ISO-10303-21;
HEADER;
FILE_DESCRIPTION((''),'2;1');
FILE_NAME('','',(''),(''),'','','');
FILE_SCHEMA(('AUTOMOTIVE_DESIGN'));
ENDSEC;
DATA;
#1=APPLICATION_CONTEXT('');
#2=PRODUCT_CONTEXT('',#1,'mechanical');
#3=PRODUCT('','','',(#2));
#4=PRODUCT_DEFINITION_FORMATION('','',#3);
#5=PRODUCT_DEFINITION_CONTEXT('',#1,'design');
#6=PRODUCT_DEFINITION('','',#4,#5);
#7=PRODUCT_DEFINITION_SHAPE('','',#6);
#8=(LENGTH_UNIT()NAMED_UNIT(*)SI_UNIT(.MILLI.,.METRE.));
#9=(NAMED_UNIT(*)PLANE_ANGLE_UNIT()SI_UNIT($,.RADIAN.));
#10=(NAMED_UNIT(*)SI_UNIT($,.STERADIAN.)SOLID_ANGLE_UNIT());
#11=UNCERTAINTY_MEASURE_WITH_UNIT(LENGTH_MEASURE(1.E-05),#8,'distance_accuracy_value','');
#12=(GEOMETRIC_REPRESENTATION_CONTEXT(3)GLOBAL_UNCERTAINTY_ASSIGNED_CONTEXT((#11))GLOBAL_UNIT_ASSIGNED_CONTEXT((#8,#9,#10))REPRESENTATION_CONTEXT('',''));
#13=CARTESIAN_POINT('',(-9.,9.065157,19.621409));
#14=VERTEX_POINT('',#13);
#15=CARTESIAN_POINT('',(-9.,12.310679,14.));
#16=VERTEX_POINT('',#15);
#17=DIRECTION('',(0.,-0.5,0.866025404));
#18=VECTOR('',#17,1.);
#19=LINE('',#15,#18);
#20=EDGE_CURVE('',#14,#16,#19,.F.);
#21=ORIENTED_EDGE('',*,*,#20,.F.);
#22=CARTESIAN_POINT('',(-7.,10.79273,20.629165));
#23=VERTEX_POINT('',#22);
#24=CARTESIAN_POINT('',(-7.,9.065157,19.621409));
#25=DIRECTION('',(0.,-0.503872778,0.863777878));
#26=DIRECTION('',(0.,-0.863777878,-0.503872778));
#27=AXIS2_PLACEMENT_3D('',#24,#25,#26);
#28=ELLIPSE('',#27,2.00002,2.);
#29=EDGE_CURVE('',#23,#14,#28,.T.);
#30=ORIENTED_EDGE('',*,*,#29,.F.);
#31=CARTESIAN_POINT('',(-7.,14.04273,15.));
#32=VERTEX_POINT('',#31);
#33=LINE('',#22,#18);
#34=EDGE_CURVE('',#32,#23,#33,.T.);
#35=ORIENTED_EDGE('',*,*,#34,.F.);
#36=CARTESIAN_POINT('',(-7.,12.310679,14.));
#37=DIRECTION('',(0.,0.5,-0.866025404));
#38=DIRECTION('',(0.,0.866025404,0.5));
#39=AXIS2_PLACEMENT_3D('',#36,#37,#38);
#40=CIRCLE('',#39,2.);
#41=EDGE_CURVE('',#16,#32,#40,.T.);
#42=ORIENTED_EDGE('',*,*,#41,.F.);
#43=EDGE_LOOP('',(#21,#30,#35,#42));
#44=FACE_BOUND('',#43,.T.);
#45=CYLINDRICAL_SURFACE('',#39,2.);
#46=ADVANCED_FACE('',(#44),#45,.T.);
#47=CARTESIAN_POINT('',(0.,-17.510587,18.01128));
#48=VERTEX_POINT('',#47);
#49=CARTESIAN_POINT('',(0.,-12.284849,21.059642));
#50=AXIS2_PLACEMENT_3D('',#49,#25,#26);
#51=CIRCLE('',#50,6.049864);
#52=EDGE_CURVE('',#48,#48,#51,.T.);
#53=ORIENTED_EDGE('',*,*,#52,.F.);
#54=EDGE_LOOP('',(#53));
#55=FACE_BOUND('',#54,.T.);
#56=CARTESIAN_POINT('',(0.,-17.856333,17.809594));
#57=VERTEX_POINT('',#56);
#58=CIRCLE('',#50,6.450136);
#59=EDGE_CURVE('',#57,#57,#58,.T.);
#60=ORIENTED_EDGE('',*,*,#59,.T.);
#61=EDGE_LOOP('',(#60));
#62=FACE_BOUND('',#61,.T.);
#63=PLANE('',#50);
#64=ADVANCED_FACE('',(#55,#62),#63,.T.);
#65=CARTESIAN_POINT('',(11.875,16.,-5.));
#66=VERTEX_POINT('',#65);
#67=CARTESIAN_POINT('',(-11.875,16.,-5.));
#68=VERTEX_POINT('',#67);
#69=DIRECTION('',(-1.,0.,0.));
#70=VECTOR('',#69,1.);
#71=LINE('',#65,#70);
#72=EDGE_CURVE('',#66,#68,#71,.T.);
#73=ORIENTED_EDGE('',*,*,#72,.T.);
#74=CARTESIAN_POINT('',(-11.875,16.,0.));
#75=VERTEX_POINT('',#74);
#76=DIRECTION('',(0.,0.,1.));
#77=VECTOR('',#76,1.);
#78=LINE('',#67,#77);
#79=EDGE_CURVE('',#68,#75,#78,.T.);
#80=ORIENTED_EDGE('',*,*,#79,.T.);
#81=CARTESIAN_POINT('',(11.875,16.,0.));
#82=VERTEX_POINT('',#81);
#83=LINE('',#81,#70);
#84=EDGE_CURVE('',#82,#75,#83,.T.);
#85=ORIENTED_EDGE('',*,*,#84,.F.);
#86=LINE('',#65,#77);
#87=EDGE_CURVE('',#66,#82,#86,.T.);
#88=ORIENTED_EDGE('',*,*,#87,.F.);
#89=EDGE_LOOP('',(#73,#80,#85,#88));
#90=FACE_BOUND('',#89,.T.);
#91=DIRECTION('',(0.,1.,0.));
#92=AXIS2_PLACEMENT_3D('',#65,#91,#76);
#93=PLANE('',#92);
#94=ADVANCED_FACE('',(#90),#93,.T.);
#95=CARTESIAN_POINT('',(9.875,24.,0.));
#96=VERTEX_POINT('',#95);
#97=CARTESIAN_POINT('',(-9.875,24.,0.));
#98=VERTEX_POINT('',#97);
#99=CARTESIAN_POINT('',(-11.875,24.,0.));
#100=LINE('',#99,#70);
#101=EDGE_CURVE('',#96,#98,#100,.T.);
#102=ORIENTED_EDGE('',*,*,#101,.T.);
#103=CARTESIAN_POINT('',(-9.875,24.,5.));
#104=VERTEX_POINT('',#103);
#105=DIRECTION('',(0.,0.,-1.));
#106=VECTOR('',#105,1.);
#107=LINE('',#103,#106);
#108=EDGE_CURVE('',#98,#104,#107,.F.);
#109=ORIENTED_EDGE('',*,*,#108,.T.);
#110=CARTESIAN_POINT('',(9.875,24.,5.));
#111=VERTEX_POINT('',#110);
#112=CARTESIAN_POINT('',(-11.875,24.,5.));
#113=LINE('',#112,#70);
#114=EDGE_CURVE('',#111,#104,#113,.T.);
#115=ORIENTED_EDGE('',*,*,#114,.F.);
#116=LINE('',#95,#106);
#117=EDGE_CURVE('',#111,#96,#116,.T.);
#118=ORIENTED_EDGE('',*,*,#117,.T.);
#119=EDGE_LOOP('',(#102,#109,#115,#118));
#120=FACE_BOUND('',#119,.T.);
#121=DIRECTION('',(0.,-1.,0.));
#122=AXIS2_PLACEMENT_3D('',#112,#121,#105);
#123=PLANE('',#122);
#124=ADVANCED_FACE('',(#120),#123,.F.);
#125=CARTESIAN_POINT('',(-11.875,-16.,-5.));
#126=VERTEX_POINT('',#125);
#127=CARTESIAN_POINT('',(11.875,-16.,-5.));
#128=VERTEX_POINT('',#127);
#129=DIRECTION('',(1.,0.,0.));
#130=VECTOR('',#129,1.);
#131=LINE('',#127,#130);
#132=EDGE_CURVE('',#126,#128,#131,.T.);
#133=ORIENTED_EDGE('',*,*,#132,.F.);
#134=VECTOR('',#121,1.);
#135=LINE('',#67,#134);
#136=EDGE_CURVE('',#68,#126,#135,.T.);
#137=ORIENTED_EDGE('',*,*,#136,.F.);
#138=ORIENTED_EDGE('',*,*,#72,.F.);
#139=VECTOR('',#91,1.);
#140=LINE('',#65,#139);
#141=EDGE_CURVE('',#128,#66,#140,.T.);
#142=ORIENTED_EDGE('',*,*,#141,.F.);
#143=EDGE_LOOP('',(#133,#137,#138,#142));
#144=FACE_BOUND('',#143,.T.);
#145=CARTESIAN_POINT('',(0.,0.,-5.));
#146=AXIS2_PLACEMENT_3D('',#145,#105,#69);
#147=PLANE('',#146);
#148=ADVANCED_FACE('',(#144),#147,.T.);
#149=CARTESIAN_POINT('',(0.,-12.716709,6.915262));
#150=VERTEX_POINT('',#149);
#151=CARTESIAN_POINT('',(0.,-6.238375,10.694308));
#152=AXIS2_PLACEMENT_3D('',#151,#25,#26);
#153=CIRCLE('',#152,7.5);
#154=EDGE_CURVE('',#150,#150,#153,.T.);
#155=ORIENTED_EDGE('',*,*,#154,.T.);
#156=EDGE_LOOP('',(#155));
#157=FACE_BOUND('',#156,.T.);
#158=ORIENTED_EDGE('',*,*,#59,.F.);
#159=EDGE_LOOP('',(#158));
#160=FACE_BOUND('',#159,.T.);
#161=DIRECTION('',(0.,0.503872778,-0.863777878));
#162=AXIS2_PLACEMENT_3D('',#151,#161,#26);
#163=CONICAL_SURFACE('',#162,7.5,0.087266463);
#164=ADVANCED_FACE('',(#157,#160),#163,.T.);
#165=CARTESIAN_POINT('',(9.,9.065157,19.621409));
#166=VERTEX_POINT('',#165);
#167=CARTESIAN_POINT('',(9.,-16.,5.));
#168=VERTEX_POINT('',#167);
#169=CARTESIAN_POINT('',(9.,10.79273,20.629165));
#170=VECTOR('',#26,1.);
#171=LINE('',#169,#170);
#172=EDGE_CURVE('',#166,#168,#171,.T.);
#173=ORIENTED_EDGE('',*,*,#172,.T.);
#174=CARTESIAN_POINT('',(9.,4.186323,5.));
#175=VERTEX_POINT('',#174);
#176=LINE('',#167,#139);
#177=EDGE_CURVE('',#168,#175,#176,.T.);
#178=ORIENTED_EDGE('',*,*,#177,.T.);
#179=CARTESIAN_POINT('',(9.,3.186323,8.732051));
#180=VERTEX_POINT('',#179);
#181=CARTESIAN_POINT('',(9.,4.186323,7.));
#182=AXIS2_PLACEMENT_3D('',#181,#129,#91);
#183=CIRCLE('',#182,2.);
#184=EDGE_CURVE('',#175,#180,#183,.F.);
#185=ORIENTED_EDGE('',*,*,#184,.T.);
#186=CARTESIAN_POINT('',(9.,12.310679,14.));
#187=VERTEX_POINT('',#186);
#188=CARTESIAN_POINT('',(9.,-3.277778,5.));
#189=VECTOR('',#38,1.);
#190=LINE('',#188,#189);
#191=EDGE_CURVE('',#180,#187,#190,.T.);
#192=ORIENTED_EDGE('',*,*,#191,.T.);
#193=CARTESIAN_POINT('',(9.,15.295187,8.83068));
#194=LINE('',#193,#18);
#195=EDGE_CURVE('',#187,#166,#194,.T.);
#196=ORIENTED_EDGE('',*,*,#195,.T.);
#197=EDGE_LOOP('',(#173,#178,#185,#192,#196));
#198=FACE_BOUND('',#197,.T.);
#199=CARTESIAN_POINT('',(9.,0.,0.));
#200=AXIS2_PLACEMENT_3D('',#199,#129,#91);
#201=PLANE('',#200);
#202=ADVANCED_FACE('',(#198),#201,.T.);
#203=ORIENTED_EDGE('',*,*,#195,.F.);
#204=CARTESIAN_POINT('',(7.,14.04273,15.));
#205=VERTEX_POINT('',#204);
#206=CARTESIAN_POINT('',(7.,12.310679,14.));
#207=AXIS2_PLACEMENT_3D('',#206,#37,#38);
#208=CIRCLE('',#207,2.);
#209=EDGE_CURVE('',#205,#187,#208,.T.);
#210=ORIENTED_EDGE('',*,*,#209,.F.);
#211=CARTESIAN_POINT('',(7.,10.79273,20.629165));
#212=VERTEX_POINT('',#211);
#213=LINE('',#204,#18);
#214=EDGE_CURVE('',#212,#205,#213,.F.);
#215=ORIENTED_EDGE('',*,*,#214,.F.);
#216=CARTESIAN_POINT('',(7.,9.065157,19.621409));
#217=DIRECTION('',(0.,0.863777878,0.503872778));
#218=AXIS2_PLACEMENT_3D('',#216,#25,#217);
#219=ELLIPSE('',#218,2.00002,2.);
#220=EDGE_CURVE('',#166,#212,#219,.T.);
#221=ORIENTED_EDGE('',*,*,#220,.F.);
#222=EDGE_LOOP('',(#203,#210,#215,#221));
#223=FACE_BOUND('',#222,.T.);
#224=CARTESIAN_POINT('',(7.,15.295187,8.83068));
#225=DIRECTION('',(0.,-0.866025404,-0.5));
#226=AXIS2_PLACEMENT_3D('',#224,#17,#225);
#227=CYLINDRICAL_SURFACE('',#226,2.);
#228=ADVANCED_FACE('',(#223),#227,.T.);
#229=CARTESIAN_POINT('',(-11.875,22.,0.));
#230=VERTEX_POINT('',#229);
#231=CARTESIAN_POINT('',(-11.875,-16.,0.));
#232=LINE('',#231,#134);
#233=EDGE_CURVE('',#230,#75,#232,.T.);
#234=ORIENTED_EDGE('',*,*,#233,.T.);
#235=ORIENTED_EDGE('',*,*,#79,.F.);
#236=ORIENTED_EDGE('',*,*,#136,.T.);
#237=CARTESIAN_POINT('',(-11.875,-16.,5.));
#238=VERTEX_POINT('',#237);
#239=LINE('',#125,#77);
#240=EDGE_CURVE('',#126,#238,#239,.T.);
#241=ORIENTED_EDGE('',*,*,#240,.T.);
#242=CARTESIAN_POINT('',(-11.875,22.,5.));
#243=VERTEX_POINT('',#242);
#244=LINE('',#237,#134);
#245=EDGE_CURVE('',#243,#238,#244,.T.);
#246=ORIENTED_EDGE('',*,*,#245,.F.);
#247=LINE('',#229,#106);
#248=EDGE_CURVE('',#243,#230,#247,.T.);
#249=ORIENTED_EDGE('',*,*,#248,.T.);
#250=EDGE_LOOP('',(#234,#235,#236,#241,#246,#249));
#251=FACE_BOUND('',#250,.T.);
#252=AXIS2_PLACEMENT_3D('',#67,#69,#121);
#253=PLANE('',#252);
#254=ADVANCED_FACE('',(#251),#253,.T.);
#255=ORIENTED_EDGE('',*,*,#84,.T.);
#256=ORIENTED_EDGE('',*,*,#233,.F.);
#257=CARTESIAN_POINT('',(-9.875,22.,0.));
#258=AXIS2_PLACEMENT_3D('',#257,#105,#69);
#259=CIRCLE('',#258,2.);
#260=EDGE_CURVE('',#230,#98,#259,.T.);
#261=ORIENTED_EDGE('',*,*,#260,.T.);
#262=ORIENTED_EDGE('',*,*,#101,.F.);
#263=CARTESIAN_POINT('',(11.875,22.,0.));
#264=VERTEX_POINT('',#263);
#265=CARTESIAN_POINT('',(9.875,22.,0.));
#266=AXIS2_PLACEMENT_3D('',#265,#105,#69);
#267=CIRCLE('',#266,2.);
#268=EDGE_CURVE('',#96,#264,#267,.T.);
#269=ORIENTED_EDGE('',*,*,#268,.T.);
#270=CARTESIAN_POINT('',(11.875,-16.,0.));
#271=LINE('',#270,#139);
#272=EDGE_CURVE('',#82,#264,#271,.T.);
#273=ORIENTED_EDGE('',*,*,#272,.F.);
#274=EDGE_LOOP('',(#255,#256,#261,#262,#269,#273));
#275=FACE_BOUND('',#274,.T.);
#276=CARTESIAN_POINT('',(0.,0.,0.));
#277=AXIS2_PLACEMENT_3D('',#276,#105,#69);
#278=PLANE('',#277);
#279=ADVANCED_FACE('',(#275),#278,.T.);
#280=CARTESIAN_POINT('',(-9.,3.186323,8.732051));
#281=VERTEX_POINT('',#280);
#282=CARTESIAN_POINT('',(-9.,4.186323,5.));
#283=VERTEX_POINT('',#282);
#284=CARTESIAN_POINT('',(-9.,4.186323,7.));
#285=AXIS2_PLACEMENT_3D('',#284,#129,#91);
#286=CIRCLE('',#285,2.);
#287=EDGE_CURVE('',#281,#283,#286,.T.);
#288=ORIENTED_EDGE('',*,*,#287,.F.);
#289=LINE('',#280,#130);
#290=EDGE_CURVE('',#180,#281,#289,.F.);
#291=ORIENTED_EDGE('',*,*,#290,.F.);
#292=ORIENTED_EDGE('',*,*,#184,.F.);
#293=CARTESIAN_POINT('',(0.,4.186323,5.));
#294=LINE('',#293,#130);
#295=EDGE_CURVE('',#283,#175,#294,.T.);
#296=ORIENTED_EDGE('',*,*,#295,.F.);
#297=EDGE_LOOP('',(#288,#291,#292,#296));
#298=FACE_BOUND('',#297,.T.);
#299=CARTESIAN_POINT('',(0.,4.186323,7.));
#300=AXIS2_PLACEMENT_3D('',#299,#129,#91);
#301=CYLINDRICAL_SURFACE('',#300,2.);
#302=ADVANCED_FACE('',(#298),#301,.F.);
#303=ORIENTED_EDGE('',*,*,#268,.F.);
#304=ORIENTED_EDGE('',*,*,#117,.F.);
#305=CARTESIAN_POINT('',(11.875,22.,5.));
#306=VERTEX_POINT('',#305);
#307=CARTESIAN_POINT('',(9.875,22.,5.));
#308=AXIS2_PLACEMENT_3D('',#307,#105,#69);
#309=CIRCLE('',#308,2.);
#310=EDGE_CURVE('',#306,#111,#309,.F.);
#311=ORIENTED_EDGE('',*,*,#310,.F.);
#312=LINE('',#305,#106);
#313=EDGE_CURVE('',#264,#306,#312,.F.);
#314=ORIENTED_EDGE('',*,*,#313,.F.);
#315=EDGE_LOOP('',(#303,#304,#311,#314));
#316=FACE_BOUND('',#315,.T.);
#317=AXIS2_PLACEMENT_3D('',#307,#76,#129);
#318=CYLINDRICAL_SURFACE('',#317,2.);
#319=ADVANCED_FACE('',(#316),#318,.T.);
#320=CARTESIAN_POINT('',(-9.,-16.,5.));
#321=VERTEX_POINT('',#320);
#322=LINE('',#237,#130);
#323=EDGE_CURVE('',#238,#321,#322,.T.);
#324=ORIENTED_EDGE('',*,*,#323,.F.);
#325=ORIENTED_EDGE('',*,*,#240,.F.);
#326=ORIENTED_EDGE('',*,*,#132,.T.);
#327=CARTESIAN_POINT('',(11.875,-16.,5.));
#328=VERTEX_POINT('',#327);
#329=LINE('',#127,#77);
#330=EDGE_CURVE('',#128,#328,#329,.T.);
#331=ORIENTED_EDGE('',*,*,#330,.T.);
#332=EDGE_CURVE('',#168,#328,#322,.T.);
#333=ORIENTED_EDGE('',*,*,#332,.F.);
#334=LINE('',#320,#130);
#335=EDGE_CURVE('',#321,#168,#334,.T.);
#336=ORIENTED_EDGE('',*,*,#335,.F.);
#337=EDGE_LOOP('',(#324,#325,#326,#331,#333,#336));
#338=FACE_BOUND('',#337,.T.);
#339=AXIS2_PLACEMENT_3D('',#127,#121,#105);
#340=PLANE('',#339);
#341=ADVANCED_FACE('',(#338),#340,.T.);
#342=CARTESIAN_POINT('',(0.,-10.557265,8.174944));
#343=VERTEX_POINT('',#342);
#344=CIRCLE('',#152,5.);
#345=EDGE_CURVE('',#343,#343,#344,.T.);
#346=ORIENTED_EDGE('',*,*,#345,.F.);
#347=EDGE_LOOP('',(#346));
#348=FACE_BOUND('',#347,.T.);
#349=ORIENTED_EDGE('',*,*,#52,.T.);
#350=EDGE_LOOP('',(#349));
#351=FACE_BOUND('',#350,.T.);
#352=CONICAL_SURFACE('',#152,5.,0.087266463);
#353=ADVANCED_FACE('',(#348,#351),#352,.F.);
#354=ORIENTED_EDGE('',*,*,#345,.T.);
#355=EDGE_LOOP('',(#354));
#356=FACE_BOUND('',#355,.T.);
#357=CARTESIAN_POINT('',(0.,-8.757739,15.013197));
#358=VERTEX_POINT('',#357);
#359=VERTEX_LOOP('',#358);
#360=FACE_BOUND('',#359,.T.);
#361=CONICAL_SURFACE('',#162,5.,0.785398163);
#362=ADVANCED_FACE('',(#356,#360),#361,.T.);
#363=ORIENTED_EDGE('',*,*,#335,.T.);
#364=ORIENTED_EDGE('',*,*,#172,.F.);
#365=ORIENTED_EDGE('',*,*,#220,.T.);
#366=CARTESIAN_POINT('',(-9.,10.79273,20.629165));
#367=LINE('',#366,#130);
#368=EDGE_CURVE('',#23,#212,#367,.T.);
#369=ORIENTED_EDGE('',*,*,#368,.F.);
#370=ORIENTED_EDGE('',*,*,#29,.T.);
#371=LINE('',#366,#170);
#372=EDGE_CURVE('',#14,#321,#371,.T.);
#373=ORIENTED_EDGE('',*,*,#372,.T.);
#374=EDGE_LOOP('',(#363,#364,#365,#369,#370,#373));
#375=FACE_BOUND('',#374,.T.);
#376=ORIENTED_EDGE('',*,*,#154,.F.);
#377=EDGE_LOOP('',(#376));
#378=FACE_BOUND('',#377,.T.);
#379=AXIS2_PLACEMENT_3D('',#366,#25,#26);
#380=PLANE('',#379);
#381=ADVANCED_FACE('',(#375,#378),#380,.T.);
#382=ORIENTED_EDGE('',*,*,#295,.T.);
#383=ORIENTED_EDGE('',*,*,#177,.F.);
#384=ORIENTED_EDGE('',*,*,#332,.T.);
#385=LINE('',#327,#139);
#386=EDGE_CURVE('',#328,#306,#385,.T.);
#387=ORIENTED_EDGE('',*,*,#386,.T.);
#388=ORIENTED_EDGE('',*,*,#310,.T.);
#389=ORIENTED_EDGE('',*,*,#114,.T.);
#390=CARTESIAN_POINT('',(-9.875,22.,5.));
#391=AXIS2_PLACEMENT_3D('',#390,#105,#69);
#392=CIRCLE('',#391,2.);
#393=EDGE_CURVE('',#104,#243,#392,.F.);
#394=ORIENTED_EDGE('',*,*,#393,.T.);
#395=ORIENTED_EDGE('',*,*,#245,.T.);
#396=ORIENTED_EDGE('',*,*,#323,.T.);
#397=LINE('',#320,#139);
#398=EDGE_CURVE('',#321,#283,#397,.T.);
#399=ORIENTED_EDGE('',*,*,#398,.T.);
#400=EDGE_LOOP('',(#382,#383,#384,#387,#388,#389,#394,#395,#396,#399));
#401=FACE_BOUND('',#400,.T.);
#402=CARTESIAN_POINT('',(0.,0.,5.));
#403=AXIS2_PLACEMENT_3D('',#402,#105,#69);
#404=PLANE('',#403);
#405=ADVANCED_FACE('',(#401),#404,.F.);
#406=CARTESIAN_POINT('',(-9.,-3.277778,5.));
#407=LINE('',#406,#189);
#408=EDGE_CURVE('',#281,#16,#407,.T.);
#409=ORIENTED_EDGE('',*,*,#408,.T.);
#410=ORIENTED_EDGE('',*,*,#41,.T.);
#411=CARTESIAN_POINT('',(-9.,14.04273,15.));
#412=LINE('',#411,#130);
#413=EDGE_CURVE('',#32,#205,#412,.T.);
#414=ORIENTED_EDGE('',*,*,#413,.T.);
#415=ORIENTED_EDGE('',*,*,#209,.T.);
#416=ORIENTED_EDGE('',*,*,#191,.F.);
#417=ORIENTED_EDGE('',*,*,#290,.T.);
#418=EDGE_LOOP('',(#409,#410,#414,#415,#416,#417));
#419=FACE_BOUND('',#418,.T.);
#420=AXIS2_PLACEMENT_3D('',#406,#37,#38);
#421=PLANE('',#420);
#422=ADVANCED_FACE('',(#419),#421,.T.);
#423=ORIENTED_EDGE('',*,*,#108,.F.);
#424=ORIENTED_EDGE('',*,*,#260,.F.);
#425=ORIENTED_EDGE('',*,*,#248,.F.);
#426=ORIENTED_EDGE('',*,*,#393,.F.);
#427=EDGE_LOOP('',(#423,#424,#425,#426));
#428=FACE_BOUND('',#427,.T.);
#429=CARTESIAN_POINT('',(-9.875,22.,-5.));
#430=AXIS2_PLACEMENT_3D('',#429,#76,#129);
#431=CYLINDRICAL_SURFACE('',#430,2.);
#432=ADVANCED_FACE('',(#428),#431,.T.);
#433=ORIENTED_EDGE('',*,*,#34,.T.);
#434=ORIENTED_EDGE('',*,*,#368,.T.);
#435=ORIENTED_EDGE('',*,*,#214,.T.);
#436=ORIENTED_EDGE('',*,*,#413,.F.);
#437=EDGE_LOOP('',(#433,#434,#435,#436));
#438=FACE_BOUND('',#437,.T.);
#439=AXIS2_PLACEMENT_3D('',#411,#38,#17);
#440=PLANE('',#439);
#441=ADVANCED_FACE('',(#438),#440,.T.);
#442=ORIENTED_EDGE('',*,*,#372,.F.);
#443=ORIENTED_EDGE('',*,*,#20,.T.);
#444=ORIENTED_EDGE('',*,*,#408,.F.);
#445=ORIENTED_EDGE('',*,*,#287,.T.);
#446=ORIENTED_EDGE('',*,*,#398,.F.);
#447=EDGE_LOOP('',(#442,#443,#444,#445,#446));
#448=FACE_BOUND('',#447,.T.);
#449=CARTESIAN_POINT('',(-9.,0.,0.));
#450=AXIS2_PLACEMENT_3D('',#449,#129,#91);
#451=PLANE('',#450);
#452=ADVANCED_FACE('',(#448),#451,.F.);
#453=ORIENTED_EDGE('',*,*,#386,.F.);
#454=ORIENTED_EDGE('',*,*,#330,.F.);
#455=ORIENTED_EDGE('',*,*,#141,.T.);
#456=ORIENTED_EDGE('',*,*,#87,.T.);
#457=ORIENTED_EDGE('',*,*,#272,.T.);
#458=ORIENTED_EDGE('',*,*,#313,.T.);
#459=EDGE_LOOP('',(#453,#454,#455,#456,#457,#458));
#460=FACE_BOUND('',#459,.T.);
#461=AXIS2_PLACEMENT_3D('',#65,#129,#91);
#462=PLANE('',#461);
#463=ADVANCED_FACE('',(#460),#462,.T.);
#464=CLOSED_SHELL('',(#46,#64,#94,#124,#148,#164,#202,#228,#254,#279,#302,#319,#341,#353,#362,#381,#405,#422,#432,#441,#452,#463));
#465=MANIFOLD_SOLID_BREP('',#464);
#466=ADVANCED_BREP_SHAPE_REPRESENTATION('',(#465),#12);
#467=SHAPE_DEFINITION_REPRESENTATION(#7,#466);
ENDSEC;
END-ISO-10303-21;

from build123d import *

# Parameters (mm, degrees)
SKETCH2_W           = 23.75
SKETCH2_H           = 32
BOSS_EXTRUDE1_DEPTH = 5
SKETCH3_W           = 23.75
SKETCH3_H           = 40
BOSS_EXTRUDE2_DEPTH = 5
BOSS_EXTRUDE3_START = -11.875
BOSS_EXTRUDE3_DEPTH = 9
SKETCH5_R           = 7.5
SKETCH5_R_2         = 5
BOSS_EXTRUDE4_DEPTH = 12
BOSS_EXTRUDE4_DRAFT = 5
SKETCH6_R           = 5
BOSS_EXTRUDE5_DEPTH = 5
BOSS_EXTRUDE5_TAPER = 45
FILLET1_R           = 2


with BuildPart() as part:
    # Sketch2 → Boss-Extrude1 (new body)
    with BuildSketch(Plane.XY):
        Rectangle(SKETCH2_W, SKETCH2_H)
    extrude(amount=-BOSS_EXTRUDE1_DEPTH)

    # Sketch3 → Boss-Extrude2 (add)
    with BuildSketch(Plane.XY):
        with Locations((0, 4)):
            Rectangle(SKETCH3_W, SKETCH3_H)
    extrude(amount=BOSS_EXTRUDE2_DEPTH)

    # Sketch4 → Boss-Extrude3 (add, symmetric)
    with BuildSketch(Plane(origin=(11.875, 0, 0), x_dir=(0, 0, -1), z_dir=(1, 0, 0)).offset(BOSS_EXTRUDE3_START)):
        Polygon((-5, -3.277778494), (-15, 14.042729581), (-20.629165125, 10.792729581), (-5, -16), align=None)
    extrude(amount=BOSS_EXTRUDE3_DEPTH, both=True)


with BuildPart() as boss_extrude4_tool:
    # Sketch5 → Boss-Extrude4 (with draft: the straight prism first)
    with BuildSketch(Plane(origin=(0, -6.238375225, 10.694307668), x_dir=(1, 0, 0), z_dir=(0, -0.50387277832175, 0.863777878430746))):
        Circle(SKETCH5_R)
        Circle(SKETCH5_R_2, mode=Mode.SUBTRACT)
    extrude(amount=BOSS_EXTRUDE4_DEPTH)
    # Boss-Extrude4: the draft: its side faces are tilted about the plane it starts from
    boss_extrude4_sides = [boss_extrude4_tool.faces().sort_by_distance(p)[0] for p in [
        (-7.5, -9.261611895, 15.876974938),
        (-5, -9.261611895, 15.876974938),
    ]]
    draft(boss_extrude4_sides, Plane(origin=(0, -6.238375225, 10.694307668), x_dir=(1, 0, 0), z_dir=(0, -0.50387277832175, 0.863777878430746)), BOSS_EXTRUDE4_DRAFT)


with BuildPart() as part_1:
    add(part.part)

    # Boss-Extrude4: add boss_extrude4_tool
    add(boss_extrude4_tool.part)

    # Sketch6 → Boss-Extrude5 (add)
    with BuildSketch(Plane(origin=(0, -6.238375225, 10.694307668), x_dir=(1, 0, 0), z_dir=(0, -0.50387277832175, 0.863777878430746))):
        Circle(SKETCH6_R)
    extrude(amount=BOSS_EXTRUDE5_DEPTH, taper=BOSS_EXTRUDE5_TAPER)

    # Fillet1
    fillet1_edges = [part_1.edges().sort_by_distance(p)[0] for p in [
        (-11.875, 24, 2.5),
        (11.875, 24, 2.5),
        (0, -3.277778494, 5),
        (-9, 12.417729581, 17.814582562),
        (9, 12.417729581, 17.814582562),
    ]]
    fillet(fillet1_edges, radius=FILLET1_R)


solid = part_1.part
